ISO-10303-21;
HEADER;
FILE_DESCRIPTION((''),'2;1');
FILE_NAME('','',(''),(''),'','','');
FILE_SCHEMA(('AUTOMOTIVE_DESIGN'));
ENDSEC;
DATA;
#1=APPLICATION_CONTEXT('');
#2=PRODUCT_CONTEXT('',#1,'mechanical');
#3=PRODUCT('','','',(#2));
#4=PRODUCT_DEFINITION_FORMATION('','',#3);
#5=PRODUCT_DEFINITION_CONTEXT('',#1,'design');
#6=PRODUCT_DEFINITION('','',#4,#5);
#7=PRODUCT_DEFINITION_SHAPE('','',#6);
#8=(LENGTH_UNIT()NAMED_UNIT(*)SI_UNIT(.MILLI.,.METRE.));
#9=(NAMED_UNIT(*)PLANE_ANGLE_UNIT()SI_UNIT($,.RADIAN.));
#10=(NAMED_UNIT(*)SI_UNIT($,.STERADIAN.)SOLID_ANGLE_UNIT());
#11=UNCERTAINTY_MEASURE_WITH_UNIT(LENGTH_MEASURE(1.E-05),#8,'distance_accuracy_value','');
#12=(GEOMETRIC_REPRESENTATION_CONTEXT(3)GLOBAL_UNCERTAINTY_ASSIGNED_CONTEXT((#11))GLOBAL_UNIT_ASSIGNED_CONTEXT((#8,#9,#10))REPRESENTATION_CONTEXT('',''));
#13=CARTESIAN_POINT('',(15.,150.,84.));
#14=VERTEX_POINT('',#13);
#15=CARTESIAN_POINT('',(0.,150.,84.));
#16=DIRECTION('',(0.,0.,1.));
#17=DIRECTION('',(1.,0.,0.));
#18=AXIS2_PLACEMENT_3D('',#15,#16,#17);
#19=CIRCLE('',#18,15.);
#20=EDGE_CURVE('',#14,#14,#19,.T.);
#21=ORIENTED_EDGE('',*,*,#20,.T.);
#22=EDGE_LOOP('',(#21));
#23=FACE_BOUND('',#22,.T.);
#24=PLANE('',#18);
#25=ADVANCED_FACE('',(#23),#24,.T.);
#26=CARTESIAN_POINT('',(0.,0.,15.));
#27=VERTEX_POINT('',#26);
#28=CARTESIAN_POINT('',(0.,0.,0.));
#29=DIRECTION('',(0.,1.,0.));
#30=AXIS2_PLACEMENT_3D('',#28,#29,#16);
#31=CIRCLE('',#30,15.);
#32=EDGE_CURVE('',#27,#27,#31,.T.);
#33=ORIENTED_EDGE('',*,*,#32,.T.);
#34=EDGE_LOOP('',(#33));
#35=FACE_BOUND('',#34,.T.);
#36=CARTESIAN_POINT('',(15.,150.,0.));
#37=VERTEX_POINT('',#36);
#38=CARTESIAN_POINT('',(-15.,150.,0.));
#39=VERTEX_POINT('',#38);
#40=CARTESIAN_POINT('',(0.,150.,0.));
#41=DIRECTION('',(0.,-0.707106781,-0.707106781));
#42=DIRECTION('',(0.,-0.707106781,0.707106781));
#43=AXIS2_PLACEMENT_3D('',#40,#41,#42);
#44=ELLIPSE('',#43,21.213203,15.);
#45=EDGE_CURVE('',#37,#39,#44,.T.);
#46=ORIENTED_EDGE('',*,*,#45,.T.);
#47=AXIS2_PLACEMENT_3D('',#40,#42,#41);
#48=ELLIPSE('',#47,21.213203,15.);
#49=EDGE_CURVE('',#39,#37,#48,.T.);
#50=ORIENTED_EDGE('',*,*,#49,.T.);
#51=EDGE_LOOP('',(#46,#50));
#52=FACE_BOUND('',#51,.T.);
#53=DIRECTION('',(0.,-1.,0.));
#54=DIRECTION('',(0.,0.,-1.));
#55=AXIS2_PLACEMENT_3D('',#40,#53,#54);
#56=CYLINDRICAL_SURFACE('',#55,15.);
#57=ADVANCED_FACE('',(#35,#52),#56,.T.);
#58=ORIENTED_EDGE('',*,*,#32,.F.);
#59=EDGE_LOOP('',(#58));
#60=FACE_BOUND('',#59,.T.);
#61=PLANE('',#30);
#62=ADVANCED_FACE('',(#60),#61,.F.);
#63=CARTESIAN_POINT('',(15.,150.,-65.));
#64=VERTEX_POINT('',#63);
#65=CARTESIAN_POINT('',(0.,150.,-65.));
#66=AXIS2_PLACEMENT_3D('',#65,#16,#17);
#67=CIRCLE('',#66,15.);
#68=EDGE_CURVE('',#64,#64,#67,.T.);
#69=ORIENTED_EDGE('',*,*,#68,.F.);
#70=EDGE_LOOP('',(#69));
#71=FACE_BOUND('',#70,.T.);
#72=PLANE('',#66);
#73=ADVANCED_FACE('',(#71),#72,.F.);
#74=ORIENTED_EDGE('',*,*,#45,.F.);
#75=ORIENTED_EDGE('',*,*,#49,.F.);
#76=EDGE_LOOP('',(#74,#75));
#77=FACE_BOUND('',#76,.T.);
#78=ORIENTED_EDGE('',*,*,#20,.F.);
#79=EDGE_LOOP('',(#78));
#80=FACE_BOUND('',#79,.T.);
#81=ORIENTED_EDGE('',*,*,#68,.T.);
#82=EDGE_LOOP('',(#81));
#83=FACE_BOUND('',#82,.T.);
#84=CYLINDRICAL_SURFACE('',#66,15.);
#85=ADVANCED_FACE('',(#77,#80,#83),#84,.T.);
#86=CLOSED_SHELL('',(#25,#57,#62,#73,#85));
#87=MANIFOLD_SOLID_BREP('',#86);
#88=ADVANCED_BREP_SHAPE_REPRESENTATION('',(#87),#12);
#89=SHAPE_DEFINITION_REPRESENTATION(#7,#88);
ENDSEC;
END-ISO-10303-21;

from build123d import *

# Parameters (mm, degrees)
SKETCH_2_R           = 15
EXTRUDE_1_DEPTH      = 150
EXTRUDE_2_DEPTH      = 84
EXTRUDE_2_DEPTH_BACK = 65
SKETCH_3_R           = 15


with BuildPart() as part:
    # Эскиз2 → Бобышка-Вытянуть1 (new body)
    with BuildSketch(Plane(origin=(0, 0, 0), x_dir=(1, 0, 0), z_dir=(0, 1, 0))):
        with Locations(Location((0, 0, 0), (0, 0, 270))):
            Circle(SKETCH_2_R)
    extrude(amount=EXTRUDE_1_DEPTH)

    # Эскиз3 → Бобышка-Вытянуть2 (add, two sides: drawn at the far end of the back side and taken through both)
    with BuildSketch(Plane.XY.offset(-EXTRUDE_2_DEPTH_BACK)):
        with Locations((0, 150)):
            Circle(SKETCH_3_R)
    extrude(amount=EXTRUDE_2_DEPTH + EXTRUDE_2_DEPTH_BACK)


solid = part.part
